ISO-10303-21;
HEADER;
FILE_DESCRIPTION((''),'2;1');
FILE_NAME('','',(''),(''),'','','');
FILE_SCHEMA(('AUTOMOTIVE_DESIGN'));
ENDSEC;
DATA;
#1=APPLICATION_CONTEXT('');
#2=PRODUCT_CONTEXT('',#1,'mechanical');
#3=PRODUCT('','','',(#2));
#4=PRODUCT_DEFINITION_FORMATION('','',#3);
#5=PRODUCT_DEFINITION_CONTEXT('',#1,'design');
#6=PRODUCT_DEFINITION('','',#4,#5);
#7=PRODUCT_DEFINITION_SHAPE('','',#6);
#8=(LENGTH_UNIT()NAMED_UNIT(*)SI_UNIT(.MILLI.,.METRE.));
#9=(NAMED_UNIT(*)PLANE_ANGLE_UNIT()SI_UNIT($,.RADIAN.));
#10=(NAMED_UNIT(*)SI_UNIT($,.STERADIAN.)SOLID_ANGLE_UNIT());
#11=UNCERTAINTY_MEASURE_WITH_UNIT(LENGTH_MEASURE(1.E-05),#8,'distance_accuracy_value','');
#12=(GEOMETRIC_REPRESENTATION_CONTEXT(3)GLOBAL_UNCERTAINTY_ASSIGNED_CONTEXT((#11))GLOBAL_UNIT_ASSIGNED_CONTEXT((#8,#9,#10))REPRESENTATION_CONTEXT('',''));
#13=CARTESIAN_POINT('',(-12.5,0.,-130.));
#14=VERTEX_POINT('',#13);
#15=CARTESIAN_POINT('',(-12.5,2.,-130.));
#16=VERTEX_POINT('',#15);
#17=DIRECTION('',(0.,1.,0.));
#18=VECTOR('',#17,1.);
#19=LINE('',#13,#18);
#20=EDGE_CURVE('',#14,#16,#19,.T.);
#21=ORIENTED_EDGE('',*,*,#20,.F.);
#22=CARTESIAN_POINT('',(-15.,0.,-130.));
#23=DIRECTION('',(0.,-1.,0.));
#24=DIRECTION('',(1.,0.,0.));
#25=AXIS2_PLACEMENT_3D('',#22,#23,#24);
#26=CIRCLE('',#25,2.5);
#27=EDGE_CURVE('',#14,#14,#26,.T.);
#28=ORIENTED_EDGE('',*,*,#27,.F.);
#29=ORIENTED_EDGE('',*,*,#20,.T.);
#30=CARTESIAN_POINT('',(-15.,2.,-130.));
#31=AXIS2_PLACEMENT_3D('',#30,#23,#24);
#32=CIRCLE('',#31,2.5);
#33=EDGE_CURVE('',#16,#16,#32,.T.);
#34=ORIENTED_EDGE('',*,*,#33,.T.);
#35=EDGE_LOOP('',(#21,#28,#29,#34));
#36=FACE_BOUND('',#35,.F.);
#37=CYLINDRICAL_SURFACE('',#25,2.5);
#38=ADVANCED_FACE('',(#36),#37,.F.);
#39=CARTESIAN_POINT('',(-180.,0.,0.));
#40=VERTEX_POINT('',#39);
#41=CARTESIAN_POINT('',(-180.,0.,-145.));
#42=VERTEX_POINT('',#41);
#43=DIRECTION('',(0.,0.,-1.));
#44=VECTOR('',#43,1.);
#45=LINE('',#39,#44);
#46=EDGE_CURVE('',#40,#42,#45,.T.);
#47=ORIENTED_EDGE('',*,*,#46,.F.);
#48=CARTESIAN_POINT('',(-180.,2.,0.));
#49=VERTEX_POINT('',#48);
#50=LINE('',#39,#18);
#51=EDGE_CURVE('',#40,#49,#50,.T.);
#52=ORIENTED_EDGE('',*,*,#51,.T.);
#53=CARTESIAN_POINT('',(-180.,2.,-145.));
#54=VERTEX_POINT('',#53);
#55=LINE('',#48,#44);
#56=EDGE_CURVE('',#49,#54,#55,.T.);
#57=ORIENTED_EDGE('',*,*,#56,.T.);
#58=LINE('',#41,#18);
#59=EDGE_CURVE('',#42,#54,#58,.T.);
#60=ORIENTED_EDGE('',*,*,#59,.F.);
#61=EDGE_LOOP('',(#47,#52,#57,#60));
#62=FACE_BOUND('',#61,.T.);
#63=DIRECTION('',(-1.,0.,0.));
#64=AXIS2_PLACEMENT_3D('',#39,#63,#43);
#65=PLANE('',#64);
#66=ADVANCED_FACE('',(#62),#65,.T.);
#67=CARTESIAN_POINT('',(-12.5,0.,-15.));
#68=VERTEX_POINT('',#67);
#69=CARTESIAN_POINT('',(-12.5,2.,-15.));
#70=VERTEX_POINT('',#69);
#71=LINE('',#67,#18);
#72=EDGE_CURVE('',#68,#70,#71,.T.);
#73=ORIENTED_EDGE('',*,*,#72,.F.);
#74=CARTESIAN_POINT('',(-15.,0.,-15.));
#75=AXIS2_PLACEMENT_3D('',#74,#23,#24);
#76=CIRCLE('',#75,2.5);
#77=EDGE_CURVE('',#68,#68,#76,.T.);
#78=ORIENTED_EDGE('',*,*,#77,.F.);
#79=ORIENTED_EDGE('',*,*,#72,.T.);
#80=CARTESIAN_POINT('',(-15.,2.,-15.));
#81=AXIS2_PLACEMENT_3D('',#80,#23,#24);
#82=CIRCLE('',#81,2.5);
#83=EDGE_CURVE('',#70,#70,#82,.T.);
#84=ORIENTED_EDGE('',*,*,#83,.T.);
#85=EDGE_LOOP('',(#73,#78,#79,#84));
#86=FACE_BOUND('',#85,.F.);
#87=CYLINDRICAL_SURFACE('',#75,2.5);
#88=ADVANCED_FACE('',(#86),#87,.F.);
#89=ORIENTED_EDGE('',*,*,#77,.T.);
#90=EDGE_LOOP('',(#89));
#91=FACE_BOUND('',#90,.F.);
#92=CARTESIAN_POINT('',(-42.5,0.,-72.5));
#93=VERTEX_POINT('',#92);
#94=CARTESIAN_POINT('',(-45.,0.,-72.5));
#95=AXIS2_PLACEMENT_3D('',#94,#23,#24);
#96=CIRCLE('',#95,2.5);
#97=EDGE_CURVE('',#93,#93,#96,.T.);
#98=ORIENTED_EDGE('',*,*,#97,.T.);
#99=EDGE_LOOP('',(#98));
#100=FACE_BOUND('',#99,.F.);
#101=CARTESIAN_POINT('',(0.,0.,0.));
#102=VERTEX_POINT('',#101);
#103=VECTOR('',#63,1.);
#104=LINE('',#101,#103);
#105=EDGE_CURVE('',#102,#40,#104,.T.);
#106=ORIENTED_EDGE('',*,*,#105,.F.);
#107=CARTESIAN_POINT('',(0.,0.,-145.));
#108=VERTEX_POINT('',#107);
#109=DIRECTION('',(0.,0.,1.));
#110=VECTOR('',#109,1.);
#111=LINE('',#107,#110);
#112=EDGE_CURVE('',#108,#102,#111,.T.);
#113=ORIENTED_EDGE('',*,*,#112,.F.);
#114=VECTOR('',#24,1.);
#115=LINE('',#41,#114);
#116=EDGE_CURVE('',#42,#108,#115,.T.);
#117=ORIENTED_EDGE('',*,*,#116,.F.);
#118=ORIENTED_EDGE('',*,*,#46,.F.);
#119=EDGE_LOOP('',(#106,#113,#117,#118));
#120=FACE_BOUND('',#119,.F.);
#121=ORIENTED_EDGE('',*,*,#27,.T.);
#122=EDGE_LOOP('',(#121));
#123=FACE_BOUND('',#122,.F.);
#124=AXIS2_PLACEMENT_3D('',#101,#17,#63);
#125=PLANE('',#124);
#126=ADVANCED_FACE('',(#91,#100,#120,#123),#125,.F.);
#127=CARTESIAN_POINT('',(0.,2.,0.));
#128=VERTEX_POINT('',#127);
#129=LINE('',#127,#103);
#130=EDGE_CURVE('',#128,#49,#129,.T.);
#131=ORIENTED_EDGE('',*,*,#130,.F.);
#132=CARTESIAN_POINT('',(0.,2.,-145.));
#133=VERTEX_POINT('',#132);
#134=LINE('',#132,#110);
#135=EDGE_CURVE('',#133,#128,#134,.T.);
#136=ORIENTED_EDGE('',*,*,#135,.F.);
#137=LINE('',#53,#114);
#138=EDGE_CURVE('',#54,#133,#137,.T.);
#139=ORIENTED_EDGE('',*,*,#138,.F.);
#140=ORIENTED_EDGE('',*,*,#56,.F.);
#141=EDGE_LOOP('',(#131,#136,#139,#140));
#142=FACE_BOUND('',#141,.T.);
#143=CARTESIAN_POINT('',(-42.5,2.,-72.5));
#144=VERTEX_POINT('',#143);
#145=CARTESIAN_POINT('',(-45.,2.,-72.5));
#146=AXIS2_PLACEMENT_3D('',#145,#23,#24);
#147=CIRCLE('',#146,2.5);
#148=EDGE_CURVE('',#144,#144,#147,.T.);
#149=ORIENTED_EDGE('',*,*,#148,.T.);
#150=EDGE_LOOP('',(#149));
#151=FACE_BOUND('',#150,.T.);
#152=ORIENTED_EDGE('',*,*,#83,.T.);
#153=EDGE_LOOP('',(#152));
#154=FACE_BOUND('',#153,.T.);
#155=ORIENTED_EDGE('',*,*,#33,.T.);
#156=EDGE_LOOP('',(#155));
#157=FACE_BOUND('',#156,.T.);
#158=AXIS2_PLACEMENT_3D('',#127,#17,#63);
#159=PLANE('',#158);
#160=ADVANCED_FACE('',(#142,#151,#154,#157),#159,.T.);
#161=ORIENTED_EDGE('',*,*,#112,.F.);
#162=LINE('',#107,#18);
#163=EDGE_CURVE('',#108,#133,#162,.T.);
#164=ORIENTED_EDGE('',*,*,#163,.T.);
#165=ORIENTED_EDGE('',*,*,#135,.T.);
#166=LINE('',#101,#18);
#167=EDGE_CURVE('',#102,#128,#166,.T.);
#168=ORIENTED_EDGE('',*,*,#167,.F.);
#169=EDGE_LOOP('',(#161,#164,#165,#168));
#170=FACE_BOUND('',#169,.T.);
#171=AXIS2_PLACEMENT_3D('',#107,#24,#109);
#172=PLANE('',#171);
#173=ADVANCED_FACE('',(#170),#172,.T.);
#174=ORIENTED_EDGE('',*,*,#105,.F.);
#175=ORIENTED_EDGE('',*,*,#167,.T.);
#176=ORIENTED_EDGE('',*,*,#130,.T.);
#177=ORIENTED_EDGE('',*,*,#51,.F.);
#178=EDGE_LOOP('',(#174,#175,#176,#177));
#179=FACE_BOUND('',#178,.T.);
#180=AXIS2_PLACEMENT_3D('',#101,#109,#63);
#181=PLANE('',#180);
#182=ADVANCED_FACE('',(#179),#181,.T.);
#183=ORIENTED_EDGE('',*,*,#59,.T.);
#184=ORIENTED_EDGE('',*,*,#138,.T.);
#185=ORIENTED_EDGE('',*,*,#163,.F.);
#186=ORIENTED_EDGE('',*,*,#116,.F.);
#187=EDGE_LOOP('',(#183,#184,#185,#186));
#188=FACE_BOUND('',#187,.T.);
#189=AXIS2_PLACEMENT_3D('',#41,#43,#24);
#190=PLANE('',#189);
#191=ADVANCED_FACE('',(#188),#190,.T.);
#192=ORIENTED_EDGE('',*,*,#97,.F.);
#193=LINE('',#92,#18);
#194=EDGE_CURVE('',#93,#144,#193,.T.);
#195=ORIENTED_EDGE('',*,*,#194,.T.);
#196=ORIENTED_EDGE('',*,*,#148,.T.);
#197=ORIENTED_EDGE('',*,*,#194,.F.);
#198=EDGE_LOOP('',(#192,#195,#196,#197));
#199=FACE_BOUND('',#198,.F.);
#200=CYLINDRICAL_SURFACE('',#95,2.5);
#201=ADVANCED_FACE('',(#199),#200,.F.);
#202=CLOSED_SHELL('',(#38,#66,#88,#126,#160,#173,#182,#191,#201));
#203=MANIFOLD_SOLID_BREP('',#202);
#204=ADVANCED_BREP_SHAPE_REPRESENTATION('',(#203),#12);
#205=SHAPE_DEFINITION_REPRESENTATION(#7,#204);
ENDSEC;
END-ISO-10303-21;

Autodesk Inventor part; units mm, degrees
ref_plane "YZ Plane" through (0, 0, 0) normal (1, 0, 0) x (0, 1, 0)
ref_plane "XZ Plane" through (0, 0, 0) normal (0, 1, 0) x (-1, 0, 0)
ref_plane "XY Plane" through (0, 0, 0) normal (0, 0, 1) x (1, 0, 0)
sketch "Sketch1" plane through (0, 0, 0) normal (0, 1, 0) x (-1, 0, 0)
  line L0 (0, 0) -> (180, 0)
  line L1 (180, 0) -> (180, -145)
  line L2 (180, -145) -> (0, -145)
  line L3 (0, -145) -> (0, 0)
  dimension "d0" = 180
  dimension "d1" = 145
extrude "Extrusion1" add sketch "Sketch1" along normal blind 2
sketch "Sketch3" plane through (0, 0, 0) normal (0, -1, 0) x (1, 0, 0)
  line L0 (0, 0) -> (-15, 0) construction
  line L1 (-180, 0) -> (0, 0) projected
  line L2 (-15, 0) -> (-15, -15) construction
  circle A0 centre (-15, -15) radius 2.5
  line L3 (-180, -145) -> (-180, 0) construction
  line L4 (-180, -72.5) -> (0, -72.5) construction
  line L5 (0, 0) -> (0, -145) construction
  line L6 (0, -145) -> (-15, -145) construction
  line L7 (0, -145) -> (-180, -145) construction
  line L8 (-15, -145) -> (-15, -130) construction
  circle A1 centre (-15, -130) radius 2.5
  circle A2 centre (-45, -72.5) radius 2.5
  dimension "d4" = 15
  dimension "d5" = 15
  dimension "d6" = 5
  dimension "d7" = 15
  dimension "d8" = 5
  dimension "d9" = 5
  dimension "d10" = 45
extrude "Extrusion2" cut sketch "Sketch3" against normal blind 10
properties part number "tieplate_big" material "Stainless Steel"
